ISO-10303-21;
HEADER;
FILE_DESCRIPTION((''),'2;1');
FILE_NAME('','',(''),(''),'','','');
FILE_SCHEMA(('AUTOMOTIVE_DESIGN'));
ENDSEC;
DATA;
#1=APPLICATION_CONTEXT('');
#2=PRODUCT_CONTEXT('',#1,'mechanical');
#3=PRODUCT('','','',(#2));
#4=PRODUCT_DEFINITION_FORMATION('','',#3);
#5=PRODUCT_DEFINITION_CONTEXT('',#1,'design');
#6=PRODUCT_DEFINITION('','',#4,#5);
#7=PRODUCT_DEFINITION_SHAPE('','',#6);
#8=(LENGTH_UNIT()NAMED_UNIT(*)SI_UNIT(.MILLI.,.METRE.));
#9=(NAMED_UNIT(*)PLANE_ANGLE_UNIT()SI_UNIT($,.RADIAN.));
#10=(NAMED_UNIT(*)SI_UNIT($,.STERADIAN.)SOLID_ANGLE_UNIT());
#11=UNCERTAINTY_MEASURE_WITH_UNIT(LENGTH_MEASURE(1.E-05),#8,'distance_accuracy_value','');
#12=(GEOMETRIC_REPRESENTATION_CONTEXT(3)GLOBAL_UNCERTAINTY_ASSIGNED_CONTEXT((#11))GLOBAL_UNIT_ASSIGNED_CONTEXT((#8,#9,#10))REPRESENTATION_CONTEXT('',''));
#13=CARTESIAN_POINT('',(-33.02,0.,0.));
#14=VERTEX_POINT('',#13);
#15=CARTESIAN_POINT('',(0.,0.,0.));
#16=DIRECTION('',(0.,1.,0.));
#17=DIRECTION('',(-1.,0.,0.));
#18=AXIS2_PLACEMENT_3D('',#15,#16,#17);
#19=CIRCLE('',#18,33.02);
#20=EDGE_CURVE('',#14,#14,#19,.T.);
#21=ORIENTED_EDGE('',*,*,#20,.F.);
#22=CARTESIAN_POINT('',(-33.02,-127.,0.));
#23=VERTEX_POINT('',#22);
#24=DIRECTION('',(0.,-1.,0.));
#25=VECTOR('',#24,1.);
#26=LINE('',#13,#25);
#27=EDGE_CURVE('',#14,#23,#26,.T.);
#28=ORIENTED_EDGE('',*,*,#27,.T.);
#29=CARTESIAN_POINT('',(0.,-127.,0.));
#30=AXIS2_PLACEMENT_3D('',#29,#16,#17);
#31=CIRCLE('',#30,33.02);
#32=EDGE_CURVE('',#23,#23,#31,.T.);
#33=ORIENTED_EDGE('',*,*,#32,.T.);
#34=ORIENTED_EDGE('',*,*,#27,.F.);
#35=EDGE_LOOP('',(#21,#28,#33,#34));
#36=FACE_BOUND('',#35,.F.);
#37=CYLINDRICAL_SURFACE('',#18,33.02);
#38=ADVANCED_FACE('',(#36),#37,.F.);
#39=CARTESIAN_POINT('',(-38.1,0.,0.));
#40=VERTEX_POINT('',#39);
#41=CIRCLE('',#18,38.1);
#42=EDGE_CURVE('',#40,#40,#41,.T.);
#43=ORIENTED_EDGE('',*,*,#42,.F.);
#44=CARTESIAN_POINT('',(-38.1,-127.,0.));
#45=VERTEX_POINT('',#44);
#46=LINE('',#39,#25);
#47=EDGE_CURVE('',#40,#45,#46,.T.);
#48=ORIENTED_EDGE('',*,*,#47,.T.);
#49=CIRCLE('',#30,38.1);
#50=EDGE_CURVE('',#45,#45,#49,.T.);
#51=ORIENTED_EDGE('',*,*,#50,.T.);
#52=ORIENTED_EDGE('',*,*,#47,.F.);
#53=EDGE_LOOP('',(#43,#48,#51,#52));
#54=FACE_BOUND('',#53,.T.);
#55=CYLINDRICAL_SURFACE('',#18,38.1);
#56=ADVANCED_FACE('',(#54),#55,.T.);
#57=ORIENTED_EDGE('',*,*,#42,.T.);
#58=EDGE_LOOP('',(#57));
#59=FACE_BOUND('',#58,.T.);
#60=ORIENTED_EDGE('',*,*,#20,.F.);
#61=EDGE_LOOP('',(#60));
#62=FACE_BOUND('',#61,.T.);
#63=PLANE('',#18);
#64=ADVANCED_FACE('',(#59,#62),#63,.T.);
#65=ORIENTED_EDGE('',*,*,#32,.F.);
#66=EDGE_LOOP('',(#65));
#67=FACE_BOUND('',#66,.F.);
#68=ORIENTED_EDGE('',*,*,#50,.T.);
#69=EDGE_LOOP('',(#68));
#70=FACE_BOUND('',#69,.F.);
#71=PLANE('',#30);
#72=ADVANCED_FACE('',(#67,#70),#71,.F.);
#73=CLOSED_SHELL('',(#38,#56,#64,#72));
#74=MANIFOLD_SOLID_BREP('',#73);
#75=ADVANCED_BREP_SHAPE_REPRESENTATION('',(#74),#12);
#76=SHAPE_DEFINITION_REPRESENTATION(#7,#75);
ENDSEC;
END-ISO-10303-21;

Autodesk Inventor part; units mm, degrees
ref_plane "XZ Plane" through (0, 0, 0) normal (0, 1, 0) x (-1, 0, 0)
ref_plane "XY Plane" through (0, 0, 0) normal (0, 0, 1) x (1, 0, 0)
sketch "Sketch1" plane through (0, 0, 0) normal (0, 1, 0) x (-1, 0, 0)
  circle A0 centre (0, 0) radius 38.1
  circle A1 centre (0, 0) radius 33.02
  dimension "d0" = 76.2
  dimension "d1" = 5.08
extrude "Extrusion1" add sketch "Sketch1" against normal blind 127
ref_plane "Work Plane1" through (50.8, 0, 0) normal (1, 0, 0) x (0, 1, 0)
sketch "Sweep path" plane through (50.8, 0, 0) normal (1, 0, 0) x (0, 1, 0)
  line L0 (-20.32, 12.7) -> (-20.32, 5.08)
  arc A0 (-20.32, 5.08) -> (-15.24, 0) centre (-15.24, 5.08) ccw
  line L1 (-15.24, 0) -> (0, 0)
  dimension "d5" = 20.32
  dimension "d6" = 5.08
  dimension "d7" = 12.7
sketch "Sweep profile" plane through (0, 0, 0) normal (0, 1, 0) x (1, 0, 0)
  line L0 (34.6191, -1.2826) -> (38.6831, -1.2826)
  line L1 (38.6831, -1.2826) -> (38.6831, 4.0514)
  line L2 (38.6831, 4.0514) -> (34.6191, 4.0514)
  line L3 (34.6191, 4.0514) -> (34.6191, -1.2826)
  line L4 (34.6191, 1.3844) -> (38.6831, 1.3844) construction
  point P0 (0, 0)
  point P1 (36.6511, 1.3844)
  dimension "d8" = 2.032
  dimension "d9" = 5.334
  dimension "d11" = 5.08
  dimension "d12" = 38.1
  dimension "d13" = 58.42
  dimension "d14" = 17.78
properties part number "Adapter" material "Aluminum 6061"
